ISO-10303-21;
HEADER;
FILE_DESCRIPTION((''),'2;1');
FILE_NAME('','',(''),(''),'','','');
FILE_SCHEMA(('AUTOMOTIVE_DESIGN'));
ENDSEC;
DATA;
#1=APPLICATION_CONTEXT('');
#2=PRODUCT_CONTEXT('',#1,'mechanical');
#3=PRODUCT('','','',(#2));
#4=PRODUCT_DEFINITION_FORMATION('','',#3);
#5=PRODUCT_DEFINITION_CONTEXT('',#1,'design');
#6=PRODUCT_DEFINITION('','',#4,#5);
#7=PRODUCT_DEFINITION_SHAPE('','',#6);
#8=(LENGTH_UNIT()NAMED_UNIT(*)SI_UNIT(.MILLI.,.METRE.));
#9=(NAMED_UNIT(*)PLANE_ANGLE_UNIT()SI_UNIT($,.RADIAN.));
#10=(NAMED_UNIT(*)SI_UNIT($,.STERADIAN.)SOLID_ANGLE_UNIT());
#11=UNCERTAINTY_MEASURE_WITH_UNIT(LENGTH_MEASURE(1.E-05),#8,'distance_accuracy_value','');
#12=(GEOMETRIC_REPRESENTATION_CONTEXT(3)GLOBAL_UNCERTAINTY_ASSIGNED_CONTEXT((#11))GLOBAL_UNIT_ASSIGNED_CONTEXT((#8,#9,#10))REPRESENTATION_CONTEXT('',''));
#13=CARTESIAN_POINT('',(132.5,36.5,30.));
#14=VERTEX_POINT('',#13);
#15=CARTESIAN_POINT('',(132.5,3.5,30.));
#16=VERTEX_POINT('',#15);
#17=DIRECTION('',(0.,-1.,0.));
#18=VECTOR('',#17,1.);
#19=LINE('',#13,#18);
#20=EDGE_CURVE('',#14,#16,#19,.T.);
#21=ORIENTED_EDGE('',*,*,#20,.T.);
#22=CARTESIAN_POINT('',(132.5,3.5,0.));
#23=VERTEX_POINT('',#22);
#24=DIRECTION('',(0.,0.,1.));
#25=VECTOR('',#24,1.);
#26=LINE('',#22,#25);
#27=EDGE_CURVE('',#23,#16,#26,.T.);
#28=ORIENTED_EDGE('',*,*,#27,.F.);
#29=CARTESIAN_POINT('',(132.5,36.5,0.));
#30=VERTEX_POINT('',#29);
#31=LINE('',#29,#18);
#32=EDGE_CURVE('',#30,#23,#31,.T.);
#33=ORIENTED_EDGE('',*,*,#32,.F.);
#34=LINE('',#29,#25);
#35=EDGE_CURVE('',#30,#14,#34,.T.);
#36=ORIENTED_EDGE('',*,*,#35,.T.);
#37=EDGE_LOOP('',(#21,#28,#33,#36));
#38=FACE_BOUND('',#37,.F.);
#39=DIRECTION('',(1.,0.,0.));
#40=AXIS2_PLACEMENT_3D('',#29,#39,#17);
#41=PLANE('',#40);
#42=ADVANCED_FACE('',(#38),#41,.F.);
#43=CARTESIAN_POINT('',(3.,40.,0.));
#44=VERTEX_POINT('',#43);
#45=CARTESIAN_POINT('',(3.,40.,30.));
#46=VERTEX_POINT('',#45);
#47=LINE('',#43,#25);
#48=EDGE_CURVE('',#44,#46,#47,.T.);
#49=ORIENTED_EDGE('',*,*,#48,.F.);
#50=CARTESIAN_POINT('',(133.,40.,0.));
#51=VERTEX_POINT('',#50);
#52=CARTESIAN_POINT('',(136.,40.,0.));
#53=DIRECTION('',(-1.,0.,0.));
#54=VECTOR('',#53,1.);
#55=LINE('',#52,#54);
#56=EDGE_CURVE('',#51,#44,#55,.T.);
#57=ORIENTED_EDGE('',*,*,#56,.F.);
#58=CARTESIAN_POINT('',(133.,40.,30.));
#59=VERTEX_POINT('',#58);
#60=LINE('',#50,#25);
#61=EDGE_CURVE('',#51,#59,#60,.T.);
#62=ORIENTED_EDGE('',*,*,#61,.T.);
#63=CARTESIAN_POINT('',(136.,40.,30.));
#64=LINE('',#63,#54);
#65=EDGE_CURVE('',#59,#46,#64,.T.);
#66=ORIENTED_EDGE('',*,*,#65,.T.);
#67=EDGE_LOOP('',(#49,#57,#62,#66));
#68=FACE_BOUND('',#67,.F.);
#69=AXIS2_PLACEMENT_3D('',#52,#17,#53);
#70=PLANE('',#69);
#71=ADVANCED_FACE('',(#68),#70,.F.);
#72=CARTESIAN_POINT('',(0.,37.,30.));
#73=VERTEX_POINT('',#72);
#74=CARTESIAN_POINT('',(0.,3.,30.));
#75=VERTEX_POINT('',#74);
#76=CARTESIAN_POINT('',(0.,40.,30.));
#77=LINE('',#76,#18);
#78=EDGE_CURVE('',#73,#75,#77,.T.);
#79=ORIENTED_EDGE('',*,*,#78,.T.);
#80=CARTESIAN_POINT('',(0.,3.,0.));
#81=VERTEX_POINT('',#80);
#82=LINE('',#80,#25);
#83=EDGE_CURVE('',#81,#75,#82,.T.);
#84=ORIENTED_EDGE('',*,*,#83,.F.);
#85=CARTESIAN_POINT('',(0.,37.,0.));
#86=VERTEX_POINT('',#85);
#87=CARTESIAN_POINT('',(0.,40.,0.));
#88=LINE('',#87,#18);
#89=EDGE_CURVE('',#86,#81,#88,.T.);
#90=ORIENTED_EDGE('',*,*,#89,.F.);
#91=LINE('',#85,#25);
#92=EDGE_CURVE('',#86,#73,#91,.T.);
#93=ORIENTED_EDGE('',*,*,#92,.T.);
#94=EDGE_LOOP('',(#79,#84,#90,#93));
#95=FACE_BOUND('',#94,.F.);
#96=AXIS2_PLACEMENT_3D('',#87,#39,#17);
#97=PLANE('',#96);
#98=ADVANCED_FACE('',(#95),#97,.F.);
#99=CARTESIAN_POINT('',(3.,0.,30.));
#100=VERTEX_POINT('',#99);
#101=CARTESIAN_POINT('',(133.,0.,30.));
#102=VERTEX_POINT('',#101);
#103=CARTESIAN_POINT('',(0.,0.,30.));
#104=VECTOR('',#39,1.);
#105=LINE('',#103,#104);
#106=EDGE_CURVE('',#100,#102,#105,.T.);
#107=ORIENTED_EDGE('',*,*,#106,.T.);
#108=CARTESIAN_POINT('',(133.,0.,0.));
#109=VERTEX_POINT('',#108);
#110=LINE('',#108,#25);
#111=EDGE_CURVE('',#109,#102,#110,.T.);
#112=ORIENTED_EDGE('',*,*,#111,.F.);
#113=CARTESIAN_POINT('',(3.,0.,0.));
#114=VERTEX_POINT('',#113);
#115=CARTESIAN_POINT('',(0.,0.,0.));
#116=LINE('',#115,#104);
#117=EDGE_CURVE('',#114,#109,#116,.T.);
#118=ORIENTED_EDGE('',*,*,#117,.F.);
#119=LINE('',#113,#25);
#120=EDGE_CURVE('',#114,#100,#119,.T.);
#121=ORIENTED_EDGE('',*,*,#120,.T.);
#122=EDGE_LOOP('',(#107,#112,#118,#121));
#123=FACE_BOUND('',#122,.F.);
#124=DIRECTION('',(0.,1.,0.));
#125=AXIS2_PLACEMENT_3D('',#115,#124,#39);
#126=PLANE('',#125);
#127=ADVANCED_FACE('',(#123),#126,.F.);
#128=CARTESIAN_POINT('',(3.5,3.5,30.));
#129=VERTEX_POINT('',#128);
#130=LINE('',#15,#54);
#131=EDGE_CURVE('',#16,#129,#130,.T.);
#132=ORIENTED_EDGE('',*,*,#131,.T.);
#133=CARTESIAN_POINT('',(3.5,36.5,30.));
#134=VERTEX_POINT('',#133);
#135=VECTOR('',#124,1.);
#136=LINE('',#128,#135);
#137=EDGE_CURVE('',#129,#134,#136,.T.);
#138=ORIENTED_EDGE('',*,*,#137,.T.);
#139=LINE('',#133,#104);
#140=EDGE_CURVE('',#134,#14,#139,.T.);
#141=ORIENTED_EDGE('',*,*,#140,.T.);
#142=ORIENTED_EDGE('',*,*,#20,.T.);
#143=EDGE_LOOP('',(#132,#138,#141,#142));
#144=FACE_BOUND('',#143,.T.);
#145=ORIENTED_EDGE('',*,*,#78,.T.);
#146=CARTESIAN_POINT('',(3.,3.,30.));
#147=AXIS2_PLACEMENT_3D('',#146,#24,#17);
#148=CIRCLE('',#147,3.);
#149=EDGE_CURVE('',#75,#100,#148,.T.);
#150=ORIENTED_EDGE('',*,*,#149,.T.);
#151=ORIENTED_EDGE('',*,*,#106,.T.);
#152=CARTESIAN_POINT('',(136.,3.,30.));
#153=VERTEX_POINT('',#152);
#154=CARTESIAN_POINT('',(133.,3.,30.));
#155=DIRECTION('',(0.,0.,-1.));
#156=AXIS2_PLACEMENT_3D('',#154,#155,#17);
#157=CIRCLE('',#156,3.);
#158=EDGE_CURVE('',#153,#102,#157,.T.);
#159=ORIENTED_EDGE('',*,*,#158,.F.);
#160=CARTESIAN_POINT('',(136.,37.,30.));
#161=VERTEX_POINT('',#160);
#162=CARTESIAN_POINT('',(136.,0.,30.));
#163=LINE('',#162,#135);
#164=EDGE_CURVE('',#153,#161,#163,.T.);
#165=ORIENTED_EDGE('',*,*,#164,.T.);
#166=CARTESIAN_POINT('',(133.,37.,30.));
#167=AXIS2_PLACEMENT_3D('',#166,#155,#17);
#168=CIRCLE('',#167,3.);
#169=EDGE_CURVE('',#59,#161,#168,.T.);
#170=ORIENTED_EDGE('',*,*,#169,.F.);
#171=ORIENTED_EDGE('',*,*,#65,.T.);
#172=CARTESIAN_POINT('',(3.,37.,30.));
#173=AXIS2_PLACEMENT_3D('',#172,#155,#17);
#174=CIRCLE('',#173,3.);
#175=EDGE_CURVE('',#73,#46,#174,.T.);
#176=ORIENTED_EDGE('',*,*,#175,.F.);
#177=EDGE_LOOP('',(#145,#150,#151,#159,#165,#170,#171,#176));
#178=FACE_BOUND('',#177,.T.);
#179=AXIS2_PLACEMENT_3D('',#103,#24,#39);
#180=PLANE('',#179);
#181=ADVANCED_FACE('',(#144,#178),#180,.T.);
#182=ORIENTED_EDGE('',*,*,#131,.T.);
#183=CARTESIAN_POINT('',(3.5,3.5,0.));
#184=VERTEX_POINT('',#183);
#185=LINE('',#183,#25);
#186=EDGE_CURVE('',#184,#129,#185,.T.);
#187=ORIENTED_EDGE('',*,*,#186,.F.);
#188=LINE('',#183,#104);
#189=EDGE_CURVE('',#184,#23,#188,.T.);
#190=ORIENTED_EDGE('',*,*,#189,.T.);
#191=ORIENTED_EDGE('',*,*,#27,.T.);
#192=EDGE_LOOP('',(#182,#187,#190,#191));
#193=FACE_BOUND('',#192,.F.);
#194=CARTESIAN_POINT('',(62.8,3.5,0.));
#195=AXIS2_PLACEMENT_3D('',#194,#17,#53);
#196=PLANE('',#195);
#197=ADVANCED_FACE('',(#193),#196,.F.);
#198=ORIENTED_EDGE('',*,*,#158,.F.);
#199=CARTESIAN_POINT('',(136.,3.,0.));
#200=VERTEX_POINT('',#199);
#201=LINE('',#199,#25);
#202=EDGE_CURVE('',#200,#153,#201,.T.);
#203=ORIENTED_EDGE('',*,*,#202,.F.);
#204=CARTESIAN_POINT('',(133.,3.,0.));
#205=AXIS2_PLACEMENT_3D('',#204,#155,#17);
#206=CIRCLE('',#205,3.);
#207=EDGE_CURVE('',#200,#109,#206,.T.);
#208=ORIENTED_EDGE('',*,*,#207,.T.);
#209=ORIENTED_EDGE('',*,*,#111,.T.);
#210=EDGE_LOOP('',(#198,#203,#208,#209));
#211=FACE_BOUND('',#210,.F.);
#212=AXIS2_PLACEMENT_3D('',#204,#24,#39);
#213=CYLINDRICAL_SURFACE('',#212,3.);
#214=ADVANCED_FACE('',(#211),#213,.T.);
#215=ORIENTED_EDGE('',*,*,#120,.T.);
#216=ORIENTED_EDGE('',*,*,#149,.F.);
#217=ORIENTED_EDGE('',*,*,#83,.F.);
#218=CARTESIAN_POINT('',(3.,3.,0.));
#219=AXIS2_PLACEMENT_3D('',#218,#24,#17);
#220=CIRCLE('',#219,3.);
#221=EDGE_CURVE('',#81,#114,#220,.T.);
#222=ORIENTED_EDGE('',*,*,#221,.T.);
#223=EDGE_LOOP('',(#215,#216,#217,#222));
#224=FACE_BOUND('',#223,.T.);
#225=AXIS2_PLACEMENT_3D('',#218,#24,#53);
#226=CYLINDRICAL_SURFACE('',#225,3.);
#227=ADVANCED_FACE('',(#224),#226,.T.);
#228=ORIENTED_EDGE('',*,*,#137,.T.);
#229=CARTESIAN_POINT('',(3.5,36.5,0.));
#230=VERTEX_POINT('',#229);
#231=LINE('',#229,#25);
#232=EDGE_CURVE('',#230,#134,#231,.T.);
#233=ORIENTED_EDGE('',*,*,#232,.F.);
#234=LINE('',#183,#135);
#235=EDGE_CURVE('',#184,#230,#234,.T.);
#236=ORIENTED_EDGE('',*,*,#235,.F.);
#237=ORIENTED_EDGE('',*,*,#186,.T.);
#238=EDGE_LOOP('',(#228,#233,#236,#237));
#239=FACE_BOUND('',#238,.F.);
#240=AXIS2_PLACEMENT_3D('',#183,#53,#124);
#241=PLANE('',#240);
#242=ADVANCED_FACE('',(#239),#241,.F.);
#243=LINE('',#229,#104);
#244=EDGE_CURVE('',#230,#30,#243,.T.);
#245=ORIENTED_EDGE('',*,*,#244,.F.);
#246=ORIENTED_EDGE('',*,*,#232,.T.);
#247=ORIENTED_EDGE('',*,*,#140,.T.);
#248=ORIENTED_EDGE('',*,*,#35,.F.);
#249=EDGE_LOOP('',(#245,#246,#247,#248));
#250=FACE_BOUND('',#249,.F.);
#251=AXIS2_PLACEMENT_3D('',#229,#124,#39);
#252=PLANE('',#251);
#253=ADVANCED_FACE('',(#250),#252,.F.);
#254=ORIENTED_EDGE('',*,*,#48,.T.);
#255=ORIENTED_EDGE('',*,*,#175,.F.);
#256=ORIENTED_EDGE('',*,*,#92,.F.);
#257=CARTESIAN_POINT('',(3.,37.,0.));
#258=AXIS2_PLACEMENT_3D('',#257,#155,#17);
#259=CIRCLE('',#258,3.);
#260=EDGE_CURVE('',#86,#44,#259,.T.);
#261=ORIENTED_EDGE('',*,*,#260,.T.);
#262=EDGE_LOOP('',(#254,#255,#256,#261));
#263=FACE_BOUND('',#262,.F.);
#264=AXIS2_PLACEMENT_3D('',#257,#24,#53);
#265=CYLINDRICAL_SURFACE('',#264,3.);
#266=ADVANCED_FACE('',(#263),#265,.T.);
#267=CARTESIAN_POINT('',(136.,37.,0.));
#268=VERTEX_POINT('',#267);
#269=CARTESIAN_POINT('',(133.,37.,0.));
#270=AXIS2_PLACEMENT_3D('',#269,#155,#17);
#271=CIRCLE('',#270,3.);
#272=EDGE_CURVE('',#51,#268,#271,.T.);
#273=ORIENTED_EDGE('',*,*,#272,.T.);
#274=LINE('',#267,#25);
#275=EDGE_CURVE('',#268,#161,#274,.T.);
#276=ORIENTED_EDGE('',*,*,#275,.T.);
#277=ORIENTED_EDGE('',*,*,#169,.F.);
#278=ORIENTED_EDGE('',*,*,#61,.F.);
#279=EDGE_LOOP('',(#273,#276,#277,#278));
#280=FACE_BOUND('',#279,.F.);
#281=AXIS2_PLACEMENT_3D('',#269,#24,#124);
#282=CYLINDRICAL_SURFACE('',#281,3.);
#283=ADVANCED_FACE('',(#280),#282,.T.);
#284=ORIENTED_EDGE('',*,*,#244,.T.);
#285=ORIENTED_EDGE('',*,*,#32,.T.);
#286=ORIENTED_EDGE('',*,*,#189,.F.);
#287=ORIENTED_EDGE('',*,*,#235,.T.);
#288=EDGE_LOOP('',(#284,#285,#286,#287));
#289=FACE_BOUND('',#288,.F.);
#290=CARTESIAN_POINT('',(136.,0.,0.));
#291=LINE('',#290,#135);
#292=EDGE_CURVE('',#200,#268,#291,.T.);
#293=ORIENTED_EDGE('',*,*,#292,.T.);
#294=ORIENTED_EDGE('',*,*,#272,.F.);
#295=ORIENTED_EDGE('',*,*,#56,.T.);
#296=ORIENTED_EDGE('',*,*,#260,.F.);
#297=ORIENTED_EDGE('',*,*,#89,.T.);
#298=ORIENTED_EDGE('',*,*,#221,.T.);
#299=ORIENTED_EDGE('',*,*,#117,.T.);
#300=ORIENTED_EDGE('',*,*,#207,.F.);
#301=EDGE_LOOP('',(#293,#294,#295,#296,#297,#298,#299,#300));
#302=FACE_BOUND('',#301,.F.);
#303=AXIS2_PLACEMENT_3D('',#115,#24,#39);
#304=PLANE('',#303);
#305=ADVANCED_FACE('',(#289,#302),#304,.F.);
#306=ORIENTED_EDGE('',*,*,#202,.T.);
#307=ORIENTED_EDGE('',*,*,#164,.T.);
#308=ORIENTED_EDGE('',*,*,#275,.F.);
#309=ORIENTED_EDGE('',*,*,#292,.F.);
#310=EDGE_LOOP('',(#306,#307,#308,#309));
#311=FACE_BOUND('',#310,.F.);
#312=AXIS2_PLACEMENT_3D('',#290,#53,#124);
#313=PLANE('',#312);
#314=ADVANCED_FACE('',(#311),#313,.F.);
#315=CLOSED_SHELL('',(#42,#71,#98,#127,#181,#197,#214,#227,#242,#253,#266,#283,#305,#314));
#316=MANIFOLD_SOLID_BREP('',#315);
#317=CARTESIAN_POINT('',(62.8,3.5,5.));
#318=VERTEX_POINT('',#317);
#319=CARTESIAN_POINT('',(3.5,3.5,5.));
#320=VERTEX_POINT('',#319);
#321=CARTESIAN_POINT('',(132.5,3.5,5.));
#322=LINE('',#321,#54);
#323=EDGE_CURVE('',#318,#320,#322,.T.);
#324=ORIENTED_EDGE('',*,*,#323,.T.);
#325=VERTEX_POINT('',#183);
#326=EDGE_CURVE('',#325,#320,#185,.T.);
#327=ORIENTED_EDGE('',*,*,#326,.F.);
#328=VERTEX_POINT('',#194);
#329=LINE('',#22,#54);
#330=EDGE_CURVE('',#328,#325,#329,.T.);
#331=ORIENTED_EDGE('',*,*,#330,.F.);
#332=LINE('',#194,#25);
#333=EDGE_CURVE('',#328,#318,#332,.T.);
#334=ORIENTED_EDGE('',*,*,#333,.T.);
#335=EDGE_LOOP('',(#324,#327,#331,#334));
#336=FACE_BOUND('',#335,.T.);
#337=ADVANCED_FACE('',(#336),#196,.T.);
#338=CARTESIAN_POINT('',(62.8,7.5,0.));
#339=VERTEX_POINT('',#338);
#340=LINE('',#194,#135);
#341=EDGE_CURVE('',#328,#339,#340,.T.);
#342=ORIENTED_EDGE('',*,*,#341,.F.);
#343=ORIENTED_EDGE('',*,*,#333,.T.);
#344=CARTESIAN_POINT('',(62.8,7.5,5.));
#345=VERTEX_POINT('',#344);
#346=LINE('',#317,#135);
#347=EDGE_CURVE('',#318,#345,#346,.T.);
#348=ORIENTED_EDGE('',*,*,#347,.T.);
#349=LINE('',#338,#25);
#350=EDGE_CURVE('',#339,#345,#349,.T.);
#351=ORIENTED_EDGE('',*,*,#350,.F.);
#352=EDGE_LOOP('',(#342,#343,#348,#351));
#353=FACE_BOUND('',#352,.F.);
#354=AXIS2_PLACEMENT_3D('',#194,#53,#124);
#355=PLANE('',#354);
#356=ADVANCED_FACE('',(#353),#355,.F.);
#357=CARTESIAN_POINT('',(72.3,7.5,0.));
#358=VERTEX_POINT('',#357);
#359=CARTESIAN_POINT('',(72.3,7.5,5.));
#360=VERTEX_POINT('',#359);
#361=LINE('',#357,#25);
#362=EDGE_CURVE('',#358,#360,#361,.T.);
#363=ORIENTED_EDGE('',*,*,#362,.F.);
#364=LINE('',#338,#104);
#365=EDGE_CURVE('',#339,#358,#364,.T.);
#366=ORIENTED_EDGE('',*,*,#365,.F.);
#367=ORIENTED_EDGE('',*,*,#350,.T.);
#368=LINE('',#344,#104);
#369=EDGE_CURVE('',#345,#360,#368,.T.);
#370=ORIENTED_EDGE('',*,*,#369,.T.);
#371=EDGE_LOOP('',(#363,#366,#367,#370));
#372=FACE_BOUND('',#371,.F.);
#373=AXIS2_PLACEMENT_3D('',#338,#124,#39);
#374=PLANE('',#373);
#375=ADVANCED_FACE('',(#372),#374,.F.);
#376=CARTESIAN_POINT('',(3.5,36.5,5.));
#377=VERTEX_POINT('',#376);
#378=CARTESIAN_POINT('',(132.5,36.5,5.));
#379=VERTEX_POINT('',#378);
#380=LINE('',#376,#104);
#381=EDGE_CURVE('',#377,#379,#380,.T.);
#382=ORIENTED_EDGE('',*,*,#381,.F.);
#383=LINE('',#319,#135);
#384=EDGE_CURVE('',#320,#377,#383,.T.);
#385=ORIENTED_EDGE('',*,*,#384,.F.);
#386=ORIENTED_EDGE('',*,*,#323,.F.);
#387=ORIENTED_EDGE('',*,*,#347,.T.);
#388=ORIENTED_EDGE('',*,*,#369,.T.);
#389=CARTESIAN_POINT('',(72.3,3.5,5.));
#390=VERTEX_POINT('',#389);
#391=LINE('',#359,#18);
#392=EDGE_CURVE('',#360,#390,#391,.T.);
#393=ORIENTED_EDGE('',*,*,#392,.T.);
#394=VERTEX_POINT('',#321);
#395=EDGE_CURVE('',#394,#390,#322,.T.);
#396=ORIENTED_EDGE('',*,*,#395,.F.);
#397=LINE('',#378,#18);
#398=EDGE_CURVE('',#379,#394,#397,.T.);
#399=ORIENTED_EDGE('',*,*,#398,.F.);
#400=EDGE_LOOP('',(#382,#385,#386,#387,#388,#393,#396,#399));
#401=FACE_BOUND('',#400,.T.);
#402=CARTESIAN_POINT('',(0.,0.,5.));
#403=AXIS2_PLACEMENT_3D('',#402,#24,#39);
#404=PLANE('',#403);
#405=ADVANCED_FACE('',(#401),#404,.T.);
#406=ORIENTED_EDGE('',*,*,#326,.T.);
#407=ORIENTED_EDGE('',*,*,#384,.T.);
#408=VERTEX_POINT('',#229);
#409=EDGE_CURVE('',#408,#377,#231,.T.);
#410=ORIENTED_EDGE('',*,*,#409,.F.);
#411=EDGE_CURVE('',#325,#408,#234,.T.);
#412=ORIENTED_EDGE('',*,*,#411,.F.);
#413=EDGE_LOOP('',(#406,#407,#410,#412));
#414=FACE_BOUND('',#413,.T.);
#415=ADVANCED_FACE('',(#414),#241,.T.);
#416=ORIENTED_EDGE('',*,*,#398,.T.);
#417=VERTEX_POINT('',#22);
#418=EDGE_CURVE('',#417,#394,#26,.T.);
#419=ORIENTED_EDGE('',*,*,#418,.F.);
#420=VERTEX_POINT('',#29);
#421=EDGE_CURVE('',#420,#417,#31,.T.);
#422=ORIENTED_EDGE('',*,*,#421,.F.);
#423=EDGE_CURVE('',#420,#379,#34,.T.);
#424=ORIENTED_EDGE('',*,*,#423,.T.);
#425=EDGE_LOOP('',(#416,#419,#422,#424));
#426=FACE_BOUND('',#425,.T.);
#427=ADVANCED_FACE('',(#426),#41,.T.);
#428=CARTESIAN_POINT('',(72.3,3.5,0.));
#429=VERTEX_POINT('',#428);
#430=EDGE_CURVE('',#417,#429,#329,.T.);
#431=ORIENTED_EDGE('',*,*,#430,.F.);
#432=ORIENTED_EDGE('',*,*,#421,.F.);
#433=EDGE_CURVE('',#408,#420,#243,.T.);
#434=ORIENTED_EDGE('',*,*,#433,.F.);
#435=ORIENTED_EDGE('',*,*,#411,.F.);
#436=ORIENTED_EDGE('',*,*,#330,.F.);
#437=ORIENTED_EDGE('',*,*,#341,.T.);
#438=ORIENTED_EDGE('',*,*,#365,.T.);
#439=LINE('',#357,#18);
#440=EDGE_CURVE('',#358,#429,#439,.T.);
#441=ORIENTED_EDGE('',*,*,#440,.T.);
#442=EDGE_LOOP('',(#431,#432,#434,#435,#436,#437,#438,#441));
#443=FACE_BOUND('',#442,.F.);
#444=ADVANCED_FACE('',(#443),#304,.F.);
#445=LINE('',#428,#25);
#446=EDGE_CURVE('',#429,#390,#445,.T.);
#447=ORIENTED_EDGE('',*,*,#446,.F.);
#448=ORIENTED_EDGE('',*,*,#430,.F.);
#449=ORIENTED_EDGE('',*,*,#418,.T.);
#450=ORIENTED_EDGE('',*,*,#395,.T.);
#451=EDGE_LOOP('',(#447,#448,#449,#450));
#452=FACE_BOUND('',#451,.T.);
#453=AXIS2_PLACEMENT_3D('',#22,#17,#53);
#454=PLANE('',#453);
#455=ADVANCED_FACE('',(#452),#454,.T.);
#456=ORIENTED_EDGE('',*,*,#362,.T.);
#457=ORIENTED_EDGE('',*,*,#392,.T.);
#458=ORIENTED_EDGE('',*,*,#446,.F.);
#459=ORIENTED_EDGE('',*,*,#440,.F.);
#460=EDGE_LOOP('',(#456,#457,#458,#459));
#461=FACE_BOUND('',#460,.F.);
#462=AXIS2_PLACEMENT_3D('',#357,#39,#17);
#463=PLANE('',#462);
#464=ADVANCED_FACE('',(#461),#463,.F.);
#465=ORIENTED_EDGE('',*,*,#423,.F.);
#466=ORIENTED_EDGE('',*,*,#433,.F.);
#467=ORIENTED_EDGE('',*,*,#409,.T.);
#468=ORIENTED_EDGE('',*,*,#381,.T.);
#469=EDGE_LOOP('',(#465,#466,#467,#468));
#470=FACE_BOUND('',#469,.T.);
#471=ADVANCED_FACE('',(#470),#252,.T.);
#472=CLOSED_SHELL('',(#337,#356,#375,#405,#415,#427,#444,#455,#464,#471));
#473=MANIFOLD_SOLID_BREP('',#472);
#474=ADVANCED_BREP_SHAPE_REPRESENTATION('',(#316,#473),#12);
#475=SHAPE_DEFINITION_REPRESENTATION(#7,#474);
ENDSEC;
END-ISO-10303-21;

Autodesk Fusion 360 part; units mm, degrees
sketch "Sketch1" plane through (0, 0, 0) normal (0, 0, 1) x (1, 0, 0)
  line L0 (0, 0) -> (136, 0)
  line L1 (136, 0) -> (136, 40)
  line L2 (136, 40) -> (0, 40)
  line L3 (0, 40) -> (0, 0)
  line L4 (3.5, 36.5) -> (132.5, 36.5)
  line L5 (132.5, 36.5) -> (132.5, 3.5)
  line L6 (132.5, 3.5) -> (3.5, 3.5)
  line L7 (3.5, 3.5) -> (3.5, 36.5)
  line L8 (62.8, 7.5) -> (72.3, 7.5)
  line L9 (72.3, 7.5) -> (72.3, 3.5)
  line L10 (72.3, 3.5) -> (62.8, 3.5)
  line L11 (62.8, 3.5) -> (62.8, 7.5)
  dimension "d1" = 40
  dimension "d2" = 136
  dimension "d3" = 129
  dimension "d4" = 33
  dimension "d5" = 3.5
  dimension "d6" = 3.5
  dimension "d7" = 4
  dimension "d8" = 9.5
  dimension "d9" = 59.3
extrude "Extrude1" add sketch "Sketch1" along normal blind 5 contours L4 L5 L6 L7 L8 L9 L11 makes body 1
extrude "Extrude2" add sketch "Sketch1" along normal blind 30 separate body makes body 2
fillet "Fillet1" radius 3 4 edges at (0, 0, 15) (136, 0, 15) (136, 40, 15) (0, 40, 15) on bodies 2
